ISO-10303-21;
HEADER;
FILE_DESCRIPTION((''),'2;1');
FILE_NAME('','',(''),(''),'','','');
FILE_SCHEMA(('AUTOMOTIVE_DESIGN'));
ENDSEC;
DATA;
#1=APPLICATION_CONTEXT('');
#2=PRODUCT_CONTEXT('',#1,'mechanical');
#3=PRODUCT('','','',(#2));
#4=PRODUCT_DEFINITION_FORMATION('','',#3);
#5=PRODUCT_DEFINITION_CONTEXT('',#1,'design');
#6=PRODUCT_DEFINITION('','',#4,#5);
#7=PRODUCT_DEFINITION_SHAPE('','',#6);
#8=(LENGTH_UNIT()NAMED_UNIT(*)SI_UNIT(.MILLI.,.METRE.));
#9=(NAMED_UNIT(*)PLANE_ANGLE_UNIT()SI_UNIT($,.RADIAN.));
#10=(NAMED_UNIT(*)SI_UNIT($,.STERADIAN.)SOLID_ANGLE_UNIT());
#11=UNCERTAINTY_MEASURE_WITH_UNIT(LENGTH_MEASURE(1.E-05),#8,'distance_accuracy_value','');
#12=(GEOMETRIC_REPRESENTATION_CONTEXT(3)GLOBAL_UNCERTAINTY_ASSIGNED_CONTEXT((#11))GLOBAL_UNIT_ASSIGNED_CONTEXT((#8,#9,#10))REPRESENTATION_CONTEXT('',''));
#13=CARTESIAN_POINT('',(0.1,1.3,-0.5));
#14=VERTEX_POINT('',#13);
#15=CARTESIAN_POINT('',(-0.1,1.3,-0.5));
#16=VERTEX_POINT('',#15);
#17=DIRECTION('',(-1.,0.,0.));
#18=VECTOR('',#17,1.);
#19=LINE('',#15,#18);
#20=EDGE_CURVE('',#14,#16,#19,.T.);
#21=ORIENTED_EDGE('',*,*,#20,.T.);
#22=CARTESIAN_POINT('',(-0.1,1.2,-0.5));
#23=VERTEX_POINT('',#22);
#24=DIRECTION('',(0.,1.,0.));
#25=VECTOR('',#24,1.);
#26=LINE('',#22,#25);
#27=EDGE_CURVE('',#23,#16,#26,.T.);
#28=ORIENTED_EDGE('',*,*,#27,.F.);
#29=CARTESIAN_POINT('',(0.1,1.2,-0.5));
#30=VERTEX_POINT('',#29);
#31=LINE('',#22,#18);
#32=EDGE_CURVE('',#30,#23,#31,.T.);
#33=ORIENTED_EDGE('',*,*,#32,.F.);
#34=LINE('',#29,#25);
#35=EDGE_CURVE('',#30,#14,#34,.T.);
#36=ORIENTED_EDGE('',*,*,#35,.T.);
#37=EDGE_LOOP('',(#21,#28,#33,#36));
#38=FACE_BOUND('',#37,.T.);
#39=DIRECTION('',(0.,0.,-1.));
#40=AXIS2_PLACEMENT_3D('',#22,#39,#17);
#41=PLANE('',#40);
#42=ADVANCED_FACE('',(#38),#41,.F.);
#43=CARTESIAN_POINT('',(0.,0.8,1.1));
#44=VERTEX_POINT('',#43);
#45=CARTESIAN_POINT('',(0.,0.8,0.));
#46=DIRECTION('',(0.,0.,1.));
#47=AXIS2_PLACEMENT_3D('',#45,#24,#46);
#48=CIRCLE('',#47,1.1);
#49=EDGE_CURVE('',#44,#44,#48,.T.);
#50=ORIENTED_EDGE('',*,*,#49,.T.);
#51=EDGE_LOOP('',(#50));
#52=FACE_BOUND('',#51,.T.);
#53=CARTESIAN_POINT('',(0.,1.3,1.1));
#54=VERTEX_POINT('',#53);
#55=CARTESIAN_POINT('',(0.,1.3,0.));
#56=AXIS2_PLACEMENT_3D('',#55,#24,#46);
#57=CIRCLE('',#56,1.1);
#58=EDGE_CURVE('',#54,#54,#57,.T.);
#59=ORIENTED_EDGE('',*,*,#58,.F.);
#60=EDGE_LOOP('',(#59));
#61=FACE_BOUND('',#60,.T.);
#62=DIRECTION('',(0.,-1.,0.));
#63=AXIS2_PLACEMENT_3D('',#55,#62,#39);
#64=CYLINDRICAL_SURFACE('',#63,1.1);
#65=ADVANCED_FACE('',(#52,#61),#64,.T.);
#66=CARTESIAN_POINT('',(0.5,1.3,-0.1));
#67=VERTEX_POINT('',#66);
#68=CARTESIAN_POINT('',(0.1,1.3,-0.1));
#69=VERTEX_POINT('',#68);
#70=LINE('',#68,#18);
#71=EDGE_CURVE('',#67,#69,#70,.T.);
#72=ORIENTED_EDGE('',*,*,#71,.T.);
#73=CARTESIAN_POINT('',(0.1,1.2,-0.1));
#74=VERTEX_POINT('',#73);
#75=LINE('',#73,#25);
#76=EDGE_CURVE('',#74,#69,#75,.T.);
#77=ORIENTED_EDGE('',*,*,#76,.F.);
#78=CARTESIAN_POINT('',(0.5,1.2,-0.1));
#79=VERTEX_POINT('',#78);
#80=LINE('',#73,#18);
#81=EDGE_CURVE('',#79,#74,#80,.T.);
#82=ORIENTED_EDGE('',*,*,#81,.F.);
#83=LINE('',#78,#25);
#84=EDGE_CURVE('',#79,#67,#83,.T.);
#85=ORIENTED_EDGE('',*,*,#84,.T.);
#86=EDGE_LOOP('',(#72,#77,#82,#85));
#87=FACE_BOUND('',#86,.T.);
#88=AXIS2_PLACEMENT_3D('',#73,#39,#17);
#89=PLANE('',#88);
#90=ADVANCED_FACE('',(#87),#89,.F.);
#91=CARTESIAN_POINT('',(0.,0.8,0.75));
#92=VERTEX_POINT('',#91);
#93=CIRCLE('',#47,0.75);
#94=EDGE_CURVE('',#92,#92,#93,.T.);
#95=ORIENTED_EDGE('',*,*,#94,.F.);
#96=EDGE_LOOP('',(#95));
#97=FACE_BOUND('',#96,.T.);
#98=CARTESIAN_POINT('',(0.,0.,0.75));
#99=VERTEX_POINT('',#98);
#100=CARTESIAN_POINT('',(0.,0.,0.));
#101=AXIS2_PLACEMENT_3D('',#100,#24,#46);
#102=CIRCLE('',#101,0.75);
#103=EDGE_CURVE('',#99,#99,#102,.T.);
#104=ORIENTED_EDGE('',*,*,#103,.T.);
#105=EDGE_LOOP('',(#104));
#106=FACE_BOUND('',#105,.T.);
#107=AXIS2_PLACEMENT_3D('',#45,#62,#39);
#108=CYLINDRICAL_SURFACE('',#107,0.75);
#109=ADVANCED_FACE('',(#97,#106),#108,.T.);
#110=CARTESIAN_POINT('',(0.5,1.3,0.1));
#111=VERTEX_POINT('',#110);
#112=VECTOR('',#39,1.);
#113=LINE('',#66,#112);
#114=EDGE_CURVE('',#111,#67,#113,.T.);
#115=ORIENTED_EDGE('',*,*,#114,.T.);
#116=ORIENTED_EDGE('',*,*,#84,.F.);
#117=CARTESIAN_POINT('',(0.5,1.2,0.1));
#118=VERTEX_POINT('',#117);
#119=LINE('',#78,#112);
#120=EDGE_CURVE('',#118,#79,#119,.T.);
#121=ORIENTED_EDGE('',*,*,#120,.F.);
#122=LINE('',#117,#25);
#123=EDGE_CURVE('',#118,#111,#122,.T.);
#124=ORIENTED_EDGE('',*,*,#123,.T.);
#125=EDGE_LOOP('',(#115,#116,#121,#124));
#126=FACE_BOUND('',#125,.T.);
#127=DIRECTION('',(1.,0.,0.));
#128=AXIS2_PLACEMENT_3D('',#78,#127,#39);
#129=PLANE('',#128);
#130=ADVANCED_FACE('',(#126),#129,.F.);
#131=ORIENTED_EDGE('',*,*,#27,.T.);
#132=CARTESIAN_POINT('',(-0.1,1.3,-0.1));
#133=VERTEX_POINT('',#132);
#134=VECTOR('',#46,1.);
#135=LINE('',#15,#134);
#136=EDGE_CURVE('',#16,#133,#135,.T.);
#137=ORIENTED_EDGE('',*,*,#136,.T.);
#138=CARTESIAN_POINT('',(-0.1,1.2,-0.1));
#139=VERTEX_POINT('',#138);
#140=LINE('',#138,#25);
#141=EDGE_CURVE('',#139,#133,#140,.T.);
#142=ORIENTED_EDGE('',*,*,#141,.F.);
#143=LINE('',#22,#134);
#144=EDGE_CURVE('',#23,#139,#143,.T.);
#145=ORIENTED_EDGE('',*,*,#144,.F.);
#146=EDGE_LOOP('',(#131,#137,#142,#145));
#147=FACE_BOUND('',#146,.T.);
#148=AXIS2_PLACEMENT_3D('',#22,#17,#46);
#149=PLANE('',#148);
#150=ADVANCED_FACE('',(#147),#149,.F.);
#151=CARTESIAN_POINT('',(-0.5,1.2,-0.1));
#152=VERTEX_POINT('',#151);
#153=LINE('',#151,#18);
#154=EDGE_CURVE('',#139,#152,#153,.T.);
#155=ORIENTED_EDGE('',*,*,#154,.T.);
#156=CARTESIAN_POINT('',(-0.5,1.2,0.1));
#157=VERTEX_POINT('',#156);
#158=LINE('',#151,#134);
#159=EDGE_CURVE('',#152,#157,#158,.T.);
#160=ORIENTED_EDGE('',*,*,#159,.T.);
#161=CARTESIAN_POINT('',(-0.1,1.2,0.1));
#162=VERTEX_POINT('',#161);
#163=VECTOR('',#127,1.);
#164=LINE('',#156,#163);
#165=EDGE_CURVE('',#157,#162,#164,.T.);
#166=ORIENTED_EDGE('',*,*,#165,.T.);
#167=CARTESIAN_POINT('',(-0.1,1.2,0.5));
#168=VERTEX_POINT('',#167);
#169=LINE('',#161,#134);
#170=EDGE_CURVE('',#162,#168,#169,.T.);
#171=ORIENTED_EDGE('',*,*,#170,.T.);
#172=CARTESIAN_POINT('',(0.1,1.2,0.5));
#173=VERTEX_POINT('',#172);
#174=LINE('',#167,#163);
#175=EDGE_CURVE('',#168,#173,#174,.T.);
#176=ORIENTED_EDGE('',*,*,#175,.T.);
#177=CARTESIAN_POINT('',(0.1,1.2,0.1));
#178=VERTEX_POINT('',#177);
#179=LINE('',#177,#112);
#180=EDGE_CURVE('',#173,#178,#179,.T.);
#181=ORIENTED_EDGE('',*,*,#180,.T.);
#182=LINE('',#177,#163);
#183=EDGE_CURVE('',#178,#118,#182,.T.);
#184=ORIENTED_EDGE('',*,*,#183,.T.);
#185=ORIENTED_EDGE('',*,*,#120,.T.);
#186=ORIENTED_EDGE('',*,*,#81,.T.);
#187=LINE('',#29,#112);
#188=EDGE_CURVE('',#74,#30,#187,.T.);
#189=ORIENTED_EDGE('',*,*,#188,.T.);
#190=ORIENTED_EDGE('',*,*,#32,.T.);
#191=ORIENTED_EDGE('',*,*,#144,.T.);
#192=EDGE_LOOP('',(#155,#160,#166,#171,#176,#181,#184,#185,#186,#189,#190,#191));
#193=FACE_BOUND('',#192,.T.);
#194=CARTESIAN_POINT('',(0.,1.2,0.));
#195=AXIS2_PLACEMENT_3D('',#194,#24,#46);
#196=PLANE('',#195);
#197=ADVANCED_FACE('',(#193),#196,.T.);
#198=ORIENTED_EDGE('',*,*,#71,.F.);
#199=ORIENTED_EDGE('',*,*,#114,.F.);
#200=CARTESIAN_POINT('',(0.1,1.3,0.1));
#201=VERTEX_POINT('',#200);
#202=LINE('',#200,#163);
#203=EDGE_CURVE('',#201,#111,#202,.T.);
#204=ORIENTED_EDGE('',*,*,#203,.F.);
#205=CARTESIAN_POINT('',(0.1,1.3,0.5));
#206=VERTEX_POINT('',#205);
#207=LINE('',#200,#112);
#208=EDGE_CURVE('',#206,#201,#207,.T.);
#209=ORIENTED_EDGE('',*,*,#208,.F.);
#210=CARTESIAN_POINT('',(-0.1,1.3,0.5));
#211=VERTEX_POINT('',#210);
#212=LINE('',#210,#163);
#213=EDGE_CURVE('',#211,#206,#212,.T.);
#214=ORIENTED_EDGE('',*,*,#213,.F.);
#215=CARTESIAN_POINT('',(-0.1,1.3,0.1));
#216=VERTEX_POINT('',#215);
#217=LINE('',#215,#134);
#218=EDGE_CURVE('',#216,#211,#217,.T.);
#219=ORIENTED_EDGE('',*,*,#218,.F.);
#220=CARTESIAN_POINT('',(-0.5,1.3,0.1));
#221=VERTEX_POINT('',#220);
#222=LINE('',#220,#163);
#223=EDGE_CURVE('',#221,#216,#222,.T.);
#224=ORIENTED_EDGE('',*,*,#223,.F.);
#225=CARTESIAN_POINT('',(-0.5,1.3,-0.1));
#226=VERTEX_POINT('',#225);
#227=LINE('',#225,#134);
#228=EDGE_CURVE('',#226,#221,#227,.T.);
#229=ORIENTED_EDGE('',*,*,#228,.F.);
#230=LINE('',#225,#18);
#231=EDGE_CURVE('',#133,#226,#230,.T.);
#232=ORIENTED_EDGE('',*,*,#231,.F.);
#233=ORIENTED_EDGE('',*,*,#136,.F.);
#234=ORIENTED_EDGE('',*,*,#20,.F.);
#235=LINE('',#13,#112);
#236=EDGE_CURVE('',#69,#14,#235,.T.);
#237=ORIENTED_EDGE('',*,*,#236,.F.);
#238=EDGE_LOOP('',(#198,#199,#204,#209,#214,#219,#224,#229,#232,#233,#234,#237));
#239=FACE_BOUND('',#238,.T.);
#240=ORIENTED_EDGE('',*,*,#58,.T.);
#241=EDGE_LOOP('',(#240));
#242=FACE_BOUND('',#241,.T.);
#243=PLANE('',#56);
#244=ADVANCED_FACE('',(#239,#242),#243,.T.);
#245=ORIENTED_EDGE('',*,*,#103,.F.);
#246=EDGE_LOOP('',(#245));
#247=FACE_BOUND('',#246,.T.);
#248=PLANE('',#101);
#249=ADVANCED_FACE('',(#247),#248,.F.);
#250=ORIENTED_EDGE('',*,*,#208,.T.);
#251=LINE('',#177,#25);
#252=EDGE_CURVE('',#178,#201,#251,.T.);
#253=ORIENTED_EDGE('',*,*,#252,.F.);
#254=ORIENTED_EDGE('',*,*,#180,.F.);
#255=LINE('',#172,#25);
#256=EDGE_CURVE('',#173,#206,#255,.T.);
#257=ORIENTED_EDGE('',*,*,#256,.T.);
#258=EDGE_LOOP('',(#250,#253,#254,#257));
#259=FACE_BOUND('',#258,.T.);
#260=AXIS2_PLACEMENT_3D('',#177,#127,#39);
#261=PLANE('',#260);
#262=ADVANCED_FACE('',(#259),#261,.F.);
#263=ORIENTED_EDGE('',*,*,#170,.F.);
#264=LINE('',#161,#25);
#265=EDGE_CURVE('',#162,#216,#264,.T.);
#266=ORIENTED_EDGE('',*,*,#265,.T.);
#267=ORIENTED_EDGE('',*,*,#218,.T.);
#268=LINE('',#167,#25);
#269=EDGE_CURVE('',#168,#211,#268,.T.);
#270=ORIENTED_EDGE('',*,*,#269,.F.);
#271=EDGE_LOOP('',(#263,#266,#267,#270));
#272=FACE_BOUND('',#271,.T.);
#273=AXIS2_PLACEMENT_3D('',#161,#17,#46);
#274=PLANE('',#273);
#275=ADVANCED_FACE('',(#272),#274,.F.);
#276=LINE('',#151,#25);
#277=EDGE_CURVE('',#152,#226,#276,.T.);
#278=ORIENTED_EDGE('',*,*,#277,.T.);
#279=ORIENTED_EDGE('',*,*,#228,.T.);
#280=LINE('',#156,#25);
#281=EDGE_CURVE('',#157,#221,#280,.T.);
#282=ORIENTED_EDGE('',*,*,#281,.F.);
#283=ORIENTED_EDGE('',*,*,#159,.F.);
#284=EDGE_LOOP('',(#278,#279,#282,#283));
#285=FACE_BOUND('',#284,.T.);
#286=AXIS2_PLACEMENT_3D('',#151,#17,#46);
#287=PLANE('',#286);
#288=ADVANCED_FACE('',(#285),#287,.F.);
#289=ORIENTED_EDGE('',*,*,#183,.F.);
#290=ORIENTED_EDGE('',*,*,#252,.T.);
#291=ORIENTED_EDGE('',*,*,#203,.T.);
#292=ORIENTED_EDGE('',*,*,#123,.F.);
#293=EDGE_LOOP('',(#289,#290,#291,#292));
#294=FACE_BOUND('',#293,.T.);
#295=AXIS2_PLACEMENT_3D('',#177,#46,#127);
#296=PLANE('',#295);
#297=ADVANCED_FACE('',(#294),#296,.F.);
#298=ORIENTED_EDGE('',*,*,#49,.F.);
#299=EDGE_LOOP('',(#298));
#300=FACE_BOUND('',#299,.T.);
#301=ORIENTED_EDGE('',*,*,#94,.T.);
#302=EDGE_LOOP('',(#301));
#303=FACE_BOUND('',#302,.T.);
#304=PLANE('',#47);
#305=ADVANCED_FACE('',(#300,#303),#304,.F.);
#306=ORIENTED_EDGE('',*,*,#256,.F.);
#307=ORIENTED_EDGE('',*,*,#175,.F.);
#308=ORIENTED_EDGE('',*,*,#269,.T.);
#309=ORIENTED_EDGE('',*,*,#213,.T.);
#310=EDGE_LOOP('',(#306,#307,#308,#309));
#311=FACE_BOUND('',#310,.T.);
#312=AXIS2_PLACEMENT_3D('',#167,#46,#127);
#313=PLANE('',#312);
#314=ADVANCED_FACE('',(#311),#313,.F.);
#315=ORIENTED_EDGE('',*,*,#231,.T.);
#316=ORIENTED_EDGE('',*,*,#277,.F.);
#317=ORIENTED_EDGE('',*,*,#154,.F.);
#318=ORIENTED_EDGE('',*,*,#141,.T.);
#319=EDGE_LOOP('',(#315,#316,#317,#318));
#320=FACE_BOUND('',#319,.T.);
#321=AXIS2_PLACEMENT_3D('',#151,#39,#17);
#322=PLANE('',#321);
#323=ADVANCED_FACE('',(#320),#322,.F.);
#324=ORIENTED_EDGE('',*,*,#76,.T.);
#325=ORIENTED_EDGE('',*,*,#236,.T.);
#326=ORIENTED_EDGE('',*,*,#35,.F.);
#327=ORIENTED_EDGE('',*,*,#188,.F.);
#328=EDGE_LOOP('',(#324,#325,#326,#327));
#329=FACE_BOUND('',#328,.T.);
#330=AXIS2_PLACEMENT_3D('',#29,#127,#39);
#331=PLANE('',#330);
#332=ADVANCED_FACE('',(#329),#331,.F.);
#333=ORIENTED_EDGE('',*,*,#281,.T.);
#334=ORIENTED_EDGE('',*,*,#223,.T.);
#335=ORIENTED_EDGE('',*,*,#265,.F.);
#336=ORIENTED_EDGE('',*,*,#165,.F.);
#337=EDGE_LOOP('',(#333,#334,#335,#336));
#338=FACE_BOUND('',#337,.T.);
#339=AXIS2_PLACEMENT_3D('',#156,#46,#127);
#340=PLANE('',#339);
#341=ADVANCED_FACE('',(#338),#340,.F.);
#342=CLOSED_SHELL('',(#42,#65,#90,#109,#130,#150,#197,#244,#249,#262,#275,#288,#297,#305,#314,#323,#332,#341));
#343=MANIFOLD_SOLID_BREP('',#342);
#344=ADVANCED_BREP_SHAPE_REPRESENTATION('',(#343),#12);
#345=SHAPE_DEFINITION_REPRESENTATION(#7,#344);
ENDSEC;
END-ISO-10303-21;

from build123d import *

# Parameters (mm, degrees)
SKETCH1_R           = 0.75
BOSS_EXTRUDE1_DEPTH = 0.8
SKETCH2_R           = 1.1
BOSS_EXTRUDE2_DEPTH = 0.5
CUT_EXTRUDE1_DEPTH  = 0.1


with BuildPart() as part:
    # Sketch1 → Boss-Extrude1 (new body)
    with BuildSketch(Plane(origin=(0, 0, 0), x_dir=(1, 0, 0), z_dir=(0, 1, 0))):
        with Locations(Location((0, 0, 0), (0, 0, 270))):
            Circle(SKETCH1_R)
    extrude(amount=BOSS_EXTRUDE1_DEPTH)

    # Sketch2 → Boss-Extrude2 (add)
    with BuildSketch(Plane(origin=(0, 0.8, 0), x_dir=(1, 0, 0), z_dir=(0, 1, 0))):
        with Locations(Location((0, 0, 0), (0, 0, 270))):
            Circle(SKETCH2_R)
    extrude(amount=BOSS_EXTRUDE2_DEPTH)

    # Sketch3 → Cut-Extrude1 (cut)
    with BuildSketch(Plane(origin=(0, 1.3, 0), x_dir=(1, 0, 0), z_dir=(0, 1, 0))):
        Polygon((-0.1, -0.1), (-0.1, -0.5), (0.1, -0.5), (0.1, -0.1), (0.5, -0.1), (0.5, 0.1), (0.1, 0.1), (0.1, 0.5), (-0.1, 0.5), (-0.1, 0.1), (-0.5, 0.1), (-0.5, -0.1), align=None)
    extrude(amount=-CUT_EXTRUDE1_DEPTH, mode=Mode.SUBTRACT)


solid = part.part
